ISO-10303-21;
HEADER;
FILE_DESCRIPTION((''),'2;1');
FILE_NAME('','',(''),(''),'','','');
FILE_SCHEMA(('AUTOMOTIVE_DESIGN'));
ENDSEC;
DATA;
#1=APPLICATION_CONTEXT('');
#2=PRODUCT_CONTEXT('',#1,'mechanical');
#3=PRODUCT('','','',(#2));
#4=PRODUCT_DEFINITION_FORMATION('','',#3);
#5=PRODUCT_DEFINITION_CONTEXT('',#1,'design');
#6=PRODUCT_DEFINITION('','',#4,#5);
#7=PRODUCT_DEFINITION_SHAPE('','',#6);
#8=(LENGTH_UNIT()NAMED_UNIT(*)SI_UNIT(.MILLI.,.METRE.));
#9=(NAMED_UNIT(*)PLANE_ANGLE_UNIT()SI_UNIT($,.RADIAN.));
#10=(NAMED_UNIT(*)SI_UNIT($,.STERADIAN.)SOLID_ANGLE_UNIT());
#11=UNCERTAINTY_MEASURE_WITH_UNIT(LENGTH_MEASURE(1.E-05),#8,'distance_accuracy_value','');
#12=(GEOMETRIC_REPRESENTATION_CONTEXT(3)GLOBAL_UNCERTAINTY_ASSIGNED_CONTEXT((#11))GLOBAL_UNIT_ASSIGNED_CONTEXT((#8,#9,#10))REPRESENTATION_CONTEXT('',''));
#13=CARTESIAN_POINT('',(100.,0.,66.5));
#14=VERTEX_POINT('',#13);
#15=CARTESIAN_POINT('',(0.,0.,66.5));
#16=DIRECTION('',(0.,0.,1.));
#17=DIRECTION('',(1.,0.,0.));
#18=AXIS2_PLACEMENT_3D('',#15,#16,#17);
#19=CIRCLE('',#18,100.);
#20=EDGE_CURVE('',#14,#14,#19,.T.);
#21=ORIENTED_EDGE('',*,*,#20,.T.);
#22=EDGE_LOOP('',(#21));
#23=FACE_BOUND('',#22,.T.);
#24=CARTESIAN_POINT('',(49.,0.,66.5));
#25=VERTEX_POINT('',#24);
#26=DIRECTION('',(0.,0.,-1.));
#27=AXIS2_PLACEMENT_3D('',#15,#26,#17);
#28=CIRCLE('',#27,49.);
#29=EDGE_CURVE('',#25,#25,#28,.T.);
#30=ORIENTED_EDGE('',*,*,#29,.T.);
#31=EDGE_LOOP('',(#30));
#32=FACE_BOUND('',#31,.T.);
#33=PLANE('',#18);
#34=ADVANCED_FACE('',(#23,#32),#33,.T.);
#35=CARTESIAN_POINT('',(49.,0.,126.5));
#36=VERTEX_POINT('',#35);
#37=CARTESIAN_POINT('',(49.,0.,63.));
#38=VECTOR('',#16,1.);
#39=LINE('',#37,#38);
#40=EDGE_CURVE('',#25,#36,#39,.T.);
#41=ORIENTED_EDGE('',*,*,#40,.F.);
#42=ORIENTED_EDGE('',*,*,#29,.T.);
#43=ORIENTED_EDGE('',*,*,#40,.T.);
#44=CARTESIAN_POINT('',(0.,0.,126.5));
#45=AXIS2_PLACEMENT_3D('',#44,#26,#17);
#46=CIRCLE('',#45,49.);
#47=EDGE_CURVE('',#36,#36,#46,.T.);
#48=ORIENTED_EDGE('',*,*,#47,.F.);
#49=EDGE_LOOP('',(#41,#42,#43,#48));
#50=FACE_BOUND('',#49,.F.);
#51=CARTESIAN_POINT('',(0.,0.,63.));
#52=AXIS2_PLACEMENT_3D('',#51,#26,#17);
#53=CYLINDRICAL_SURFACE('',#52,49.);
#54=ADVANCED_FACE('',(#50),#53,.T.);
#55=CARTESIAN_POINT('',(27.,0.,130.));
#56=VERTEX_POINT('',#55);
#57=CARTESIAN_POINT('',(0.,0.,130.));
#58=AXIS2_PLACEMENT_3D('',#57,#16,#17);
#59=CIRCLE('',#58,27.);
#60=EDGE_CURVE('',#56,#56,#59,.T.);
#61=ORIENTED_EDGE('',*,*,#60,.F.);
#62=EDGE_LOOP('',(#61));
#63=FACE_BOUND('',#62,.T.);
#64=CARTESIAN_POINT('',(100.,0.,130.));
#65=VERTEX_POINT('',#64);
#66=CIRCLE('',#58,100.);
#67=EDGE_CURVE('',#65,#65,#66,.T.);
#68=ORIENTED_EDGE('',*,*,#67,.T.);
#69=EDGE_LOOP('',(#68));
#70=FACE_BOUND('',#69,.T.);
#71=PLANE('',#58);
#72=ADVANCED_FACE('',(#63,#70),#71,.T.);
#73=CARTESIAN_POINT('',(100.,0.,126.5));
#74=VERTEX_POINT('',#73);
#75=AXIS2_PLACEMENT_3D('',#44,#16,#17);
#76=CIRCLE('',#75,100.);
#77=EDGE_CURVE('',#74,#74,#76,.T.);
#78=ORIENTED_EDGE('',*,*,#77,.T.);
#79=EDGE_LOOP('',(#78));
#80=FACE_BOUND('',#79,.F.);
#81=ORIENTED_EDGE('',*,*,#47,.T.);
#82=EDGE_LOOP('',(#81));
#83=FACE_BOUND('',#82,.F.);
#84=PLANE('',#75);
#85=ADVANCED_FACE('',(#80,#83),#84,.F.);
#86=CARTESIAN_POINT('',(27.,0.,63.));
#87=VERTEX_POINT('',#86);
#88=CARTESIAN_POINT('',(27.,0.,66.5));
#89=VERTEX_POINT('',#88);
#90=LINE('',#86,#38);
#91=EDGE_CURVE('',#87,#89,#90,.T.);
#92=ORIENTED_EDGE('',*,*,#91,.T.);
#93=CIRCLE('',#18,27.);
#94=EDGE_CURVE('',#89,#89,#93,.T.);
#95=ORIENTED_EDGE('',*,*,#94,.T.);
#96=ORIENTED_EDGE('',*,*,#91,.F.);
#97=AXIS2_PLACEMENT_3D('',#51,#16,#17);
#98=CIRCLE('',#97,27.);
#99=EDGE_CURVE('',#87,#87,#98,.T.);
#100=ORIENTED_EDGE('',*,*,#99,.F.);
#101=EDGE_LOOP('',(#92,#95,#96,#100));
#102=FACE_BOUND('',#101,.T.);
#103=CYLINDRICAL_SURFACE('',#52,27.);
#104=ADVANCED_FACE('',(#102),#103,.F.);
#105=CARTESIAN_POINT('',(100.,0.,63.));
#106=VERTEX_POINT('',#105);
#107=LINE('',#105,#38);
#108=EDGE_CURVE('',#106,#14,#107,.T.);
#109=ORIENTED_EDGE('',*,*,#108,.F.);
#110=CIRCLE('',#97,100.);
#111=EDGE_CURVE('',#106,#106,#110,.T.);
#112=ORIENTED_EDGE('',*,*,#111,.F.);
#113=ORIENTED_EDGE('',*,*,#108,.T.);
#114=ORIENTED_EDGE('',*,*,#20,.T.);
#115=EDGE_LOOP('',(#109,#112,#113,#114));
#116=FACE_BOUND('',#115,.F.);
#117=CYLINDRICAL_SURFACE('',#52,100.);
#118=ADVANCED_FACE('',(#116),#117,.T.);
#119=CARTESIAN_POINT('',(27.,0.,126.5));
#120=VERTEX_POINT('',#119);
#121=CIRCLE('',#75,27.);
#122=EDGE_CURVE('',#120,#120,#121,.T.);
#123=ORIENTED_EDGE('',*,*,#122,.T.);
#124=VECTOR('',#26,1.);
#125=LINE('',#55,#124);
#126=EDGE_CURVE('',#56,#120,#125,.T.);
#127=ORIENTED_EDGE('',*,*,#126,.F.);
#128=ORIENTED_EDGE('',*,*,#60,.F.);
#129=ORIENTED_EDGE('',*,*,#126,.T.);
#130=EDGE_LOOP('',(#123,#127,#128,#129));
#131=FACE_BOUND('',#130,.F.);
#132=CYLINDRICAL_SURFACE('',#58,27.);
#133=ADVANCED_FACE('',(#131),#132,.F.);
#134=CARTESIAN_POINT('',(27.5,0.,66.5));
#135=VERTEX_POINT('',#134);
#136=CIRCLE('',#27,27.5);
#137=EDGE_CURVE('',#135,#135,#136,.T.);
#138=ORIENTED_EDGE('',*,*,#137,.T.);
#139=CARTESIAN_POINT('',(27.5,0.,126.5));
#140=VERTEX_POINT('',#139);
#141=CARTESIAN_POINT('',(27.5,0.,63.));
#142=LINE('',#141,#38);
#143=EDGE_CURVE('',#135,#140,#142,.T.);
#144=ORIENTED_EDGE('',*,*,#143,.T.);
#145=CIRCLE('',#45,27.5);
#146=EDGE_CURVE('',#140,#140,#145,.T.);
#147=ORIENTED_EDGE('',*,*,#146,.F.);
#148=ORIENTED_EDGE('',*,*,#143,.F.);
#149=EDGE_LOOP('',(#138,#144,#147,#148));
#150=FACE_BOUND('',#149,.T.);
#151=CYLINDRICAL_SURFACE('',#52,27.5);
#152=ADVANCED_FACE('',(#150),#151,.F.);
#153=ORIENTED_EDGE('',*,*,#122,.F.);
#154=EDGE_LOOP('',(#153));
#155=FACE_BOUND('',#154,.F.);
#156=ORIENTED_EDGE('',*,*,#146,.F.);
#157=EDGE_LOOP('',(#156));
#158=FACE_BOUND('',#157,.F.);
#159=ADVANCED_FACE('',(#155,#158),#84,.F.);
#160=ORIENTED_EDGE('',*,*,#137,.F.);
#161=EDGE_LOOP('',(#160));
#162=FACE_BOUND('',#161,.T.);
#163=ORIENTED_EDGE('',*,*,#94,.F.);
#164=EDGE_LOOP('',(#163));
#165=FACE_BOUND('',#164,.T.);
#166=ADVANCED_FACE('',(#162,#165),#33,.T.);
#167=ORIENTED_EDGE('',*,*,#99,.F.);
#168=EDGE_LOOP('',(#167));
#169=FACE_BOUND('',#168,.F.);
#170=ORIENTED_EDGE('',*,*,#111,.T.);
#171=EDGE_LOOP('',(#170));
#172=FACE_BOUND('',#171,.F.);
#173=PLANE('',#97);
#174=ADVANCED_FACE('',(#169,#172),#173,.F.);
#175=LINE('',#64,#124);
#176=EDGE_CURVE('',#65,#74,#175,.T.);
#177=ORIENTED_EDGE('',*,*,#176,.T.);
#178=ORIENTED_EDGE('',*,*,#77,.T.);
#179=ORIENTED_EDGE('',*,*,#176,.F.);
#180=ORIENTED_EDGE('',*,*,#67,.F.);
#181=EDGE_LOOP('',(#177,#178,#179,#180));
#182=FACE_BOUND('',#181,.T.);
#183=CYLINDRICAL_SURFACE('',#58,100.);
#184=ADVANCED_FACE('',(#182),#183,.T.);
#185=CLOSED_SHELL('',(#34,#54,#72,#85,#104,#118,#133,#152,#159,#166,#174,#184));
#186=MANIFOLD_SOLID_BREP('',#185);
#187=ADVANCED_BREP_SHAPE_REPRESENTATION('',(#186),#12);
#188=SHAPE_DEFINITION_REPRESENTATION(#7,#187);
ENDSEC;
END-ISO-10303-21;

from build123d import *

# Parameters (mm, degrees)
SKETCH037_R   = 49
SKETCH037_R_2 = 27.5
PAD028_DEPTH  = 67
SKETCH035_R   = 100
SKETCH035_R_2 = 27
PAD026_DEPTH  = 3.5
SKETCH036_R   = 100
SKETCH036_R_2 = 27
PAD027_DEPTH  = 3.5


with BuildPart() as part:
    # Sketch037 → Pad028 (new body)
    with BuildSketch(Plane.XY):
        Circle(SKETCH037_R)
        Circle(SKETCH037_R_2, mode=Mode.SUBTRACT)
    extrude(amount=PAD028_DEPTH)

    # Sketch035 → Pad026 (join)
    with BuildSketch(Plane.XY):
        Circle(SKETCH035_R)
        Circle(SKETCH035_R_2, mode=Mode.SUBTRACT)
    extrude(amount=PAD026_DEPTH)

    # Sketch036 → Pad027 (join)
    with BuildSketch(Plane.XY.offset(67)):
        Circle(SKETCH036_R)
        Circle(SKETCH036_R_2, mode=Mode.SUBTRACT)
    extrude(amount=-PAD027_DEPTH)


with BuildPart() as part_1:
    # Body008 placement: moved
    add(part.part.moved(Location((0, 0, 63))))


solid = part_1.part
